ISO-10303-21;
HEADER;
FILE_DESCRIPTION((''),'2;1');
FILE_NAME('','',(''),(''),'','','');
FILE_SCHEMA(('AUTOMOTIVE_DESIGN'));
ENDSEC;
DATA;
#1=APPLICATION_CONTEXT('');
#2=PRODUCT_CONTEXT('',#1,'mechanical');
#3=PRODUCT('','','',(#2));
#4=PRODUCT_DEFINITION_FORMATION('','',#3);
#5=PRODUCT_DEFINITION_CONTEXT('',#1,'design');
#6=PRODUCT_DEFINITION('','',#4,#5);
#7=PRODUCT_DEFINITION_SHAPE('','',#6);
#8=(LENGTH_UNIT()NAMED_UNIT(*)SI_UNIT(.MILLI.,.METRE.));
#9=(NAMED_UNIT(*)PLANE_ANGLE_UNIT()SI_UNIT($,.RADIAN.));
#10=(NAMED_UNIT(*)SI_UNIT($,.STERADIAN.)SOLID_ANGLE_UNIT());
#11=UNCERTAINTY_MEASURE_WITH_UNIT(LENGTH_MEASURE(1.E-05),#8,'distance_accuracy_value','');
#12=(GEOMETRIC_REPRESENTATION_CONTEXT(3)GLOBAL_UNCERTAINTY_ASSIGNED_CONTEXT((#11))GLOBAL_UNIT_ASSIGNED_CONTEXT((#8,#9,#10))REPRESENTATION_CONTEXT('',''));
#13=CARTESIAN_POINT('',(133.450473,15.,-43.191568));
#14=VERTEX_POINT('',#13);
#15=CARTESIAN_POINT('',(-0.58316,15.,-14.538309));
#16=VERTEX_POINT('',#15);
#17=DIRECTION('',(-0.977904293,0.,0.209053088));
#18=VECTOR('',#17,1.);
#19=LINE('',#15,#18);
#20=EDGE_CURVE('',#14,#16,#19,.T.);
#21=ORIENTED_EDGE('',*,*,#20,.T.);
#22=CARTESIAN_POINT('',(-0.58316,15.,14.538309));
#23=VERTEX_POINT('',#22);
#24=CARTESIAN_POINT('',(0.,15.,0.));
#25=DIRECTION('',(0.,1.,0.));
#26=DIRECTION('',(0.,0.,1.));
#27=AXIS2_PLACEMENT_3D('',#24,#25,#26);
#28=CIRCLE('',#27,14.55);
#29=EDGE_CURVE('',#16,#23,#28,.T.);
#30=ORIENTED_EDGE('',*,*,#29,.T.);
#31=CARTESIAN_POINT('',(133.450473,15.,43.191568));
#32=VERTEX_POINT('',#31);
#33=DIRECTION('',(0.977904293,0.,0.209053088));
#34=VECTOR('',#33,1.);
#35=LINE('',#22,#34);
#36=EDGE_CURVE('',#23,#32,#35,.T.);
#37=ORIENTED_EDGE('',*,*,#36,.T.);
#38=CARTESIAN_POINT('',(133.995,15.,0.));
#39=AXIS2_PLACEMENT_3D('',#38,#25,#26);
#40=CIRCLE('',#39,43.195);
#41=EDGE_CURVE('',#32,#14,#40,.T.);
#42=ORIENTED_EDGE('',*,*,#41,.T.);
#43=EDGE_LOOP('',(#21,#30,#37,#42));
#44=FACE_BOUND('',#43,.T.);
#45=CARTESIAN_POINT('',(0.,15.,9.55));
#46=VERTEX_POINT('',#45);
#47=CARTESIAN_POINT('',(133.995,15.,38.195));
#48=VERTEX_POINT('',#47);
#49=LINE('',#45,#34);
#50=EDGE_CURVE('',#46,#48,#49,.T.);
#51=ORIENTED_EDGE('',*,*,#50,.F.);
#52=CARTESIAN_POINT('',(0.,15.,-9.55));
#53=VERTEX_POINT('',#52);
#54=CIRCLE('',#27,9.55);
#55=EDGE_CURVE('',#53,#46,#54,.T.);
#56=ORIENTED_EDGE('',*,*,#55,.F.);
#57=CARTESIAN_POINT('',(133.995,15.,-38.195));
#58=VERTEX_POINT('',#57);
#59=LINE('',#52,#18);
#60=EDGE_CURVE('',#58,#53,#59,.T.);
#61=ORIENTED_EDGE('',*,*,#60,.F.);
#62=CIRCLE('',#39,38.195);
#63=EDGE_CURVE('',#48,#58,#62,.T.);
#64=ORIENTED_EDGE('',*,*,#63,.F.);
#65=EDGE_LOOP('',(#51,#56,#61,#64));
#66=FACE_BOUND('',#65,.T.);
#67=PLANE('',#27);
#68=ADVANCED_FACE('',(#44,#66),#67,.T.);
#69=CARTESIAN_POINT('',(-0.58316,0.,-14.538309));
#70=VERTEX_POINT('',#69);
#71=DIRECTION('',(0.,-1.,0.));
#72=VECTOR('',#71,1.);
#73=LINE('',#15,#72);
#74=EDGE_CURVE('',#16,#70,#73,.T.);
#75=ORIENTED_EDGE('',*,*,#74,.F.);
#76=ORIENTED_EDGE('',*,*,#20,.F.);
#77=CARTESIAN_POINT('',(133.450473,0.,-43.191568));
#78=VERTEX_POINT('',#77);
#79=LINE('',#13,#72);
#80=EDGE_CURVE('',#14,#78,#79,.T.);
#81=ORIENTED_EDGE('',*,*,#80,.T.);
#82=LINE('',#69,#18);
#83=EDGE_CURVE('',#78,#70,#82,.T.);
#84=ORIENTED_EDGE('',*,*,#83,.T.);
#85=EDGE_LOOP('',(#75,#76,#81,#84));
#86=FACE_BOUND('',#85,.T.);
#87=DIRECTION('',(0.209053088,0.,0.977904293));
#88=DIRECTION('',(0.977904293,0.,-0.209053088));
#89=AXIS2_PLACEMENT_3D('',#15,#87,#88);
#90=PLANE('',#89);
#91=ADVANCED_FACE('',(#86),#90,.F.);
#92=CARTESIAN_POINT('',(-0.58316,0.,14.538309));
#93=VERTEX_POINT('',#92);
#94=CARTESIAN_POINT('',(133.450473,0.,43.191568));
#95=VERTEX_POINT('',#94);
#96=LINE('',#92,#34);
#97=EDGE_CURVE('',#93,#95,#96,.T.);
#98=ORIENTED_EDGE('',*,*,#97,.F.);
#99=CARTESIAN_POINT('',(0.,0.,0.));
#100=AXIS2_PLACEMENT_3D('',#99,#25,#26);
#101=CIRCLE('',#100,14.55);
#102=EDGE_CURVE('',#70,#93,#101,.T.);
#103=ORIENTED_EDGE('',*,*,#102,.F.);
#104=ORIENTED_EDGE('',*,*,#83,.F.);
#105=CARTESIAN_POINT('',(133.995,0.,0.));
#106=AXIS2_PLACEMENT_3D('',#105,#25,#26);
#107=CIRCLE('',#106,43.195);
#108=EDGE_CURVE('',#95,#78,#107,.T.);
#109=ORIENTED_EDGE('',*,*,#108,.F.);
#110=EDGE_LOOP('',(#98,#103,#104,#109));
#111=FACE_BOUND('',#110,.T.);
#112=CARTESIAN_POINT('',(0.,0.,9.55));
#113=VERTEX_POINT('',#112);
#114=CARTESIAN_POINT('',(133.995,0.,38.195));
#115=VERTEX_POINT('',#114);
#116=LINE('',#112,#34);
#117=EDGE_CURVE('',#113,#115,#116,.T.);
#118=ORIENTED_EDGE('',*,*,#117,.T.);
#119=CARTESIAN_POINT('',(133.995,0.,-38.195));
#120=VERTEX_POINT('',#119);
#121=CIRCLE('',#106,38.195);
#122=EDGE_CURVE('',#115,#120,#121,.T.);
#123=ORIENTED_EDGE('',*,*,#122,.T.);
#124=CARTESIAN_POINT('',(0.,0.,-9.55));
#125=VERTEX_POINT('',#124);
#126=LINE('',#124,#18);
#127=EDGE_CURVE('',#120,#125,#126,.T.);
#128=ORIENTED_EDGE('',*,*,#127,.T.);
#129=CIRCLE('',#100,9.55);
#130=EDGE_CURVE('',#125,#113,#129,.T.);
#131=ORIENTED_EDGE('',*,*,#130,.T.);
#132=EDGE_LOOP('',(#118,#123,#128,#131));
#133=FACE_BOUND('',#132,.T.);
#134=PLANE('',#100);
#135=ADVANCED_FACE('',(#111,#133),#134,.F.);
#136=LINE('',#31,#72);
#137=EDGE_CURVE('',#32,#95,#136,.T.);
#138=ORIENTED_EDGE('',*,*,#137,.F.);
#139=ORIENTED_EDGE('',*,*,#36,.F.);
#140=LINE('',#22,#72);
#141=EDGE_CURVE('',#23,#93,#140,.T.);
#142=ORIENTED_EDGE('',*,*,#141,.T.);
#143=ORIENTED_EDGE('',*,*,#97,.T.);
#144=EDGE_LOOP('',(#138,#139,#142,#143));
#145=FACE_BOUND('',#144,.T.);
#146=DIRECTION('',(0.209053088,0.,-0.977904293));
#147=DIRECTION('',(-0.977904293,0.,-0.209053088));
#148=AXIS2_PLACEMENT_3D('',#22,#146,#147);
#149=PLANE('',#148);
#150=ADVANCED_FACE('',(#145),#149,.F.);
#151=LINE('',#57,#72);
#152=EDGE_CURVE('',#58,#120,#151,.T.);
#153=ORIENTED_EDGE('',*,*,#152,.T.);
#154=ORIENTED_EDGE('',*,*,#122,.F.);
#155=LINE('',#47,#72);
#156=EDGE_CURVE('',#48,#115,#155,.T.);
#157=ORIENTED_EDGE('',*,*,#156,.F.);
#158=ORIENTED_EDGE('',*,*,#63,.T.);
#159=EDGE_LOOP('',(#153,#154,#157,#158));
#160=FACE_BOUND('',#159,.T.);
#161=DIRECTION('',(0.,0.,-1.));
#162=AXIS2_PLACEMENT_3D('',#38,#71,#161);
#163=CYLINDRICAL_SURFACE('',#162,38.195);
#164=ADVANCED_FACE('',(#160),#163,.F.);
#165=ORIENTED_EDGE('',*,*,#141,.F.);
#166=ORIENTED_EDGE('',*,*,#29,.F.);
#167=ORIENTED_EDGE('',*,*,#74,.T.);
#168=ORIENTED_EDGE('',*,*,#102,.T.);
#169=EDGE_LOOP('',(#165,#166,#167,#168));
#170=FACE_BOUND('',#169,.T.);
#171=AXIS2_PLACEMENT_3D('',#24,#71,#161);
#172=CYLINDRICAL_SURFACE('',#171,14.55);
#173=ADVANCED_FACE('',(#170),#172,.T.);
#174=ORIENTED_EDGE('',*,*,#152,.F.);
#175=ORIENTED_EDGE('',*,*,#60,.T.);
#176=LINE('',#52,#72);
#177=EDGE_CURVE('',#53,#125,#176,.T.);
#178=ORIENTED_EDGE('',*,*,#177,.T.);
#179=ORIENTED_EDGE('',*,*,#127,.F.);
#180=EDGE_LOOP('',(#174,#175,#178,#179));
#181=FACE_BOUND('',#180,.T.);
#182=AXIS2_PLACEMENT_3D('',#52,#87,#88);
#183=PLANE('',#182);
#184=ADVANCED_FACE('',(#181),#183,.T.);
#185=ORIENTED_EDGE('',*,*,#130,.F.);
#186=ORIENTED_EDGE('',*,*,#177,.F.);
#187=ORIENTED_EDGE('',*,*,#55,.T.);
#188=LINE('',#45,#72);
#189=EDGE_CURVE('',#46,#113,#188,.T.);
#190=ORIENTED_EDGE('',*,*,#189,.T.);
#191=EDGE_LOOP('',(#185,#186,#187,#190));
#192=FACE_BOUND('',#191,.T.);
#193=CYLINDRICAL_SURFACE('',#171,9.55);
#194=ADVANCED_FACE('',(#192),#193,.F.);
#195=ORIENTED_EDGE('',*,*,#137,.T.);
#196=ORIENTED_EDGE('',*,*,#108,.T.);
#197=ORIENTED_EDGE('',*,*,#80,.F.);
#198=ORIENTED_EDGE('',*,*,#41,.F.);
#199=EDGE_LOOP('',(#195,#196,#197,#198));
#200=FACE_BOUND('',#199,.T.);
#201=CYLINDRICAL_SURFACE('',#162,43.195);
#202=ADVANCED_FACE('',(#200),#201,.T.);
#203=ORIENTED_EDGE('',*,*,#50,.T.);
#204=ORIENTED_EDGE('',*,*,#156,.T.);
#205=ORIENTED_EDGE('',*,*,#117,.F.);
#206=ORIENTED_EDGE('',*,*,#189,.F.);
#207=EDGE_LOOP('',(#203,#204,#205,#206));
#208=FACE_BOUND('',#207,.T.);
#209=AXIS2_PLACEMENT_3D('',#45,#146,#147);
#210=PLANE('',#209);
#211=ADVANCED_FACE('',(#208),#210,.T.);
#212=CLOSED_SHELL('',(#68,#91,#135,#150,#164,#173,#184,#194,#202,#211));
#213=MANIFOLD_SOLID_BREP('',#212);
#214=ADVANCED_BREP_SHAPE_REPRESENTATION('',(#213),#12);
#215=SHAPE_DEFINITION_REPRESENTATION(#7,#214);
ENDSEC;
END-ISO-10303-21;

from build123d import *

# Parameters (mm, degrees)
BOSS_EXTRUDE1_DEPTH = 15


with BuildPart() as part:
    # Sketch1 → Boss-Extrude1 (new body)
    with BuildSketch(Plane(origin=(0, 0, 0), x_dir=(1, 0, 0), z_dir=(0, 1, 0))):
        with BuildLine():
            Line((-0.583159734, -14.538308867), (133.450472992, -43.191567642))
            ThreePointArc((133.450472992, -43.191567642), (177.19, 0), (133.450472992, 43.191567642))
            Line((133.450472992, 43.191567642), (-0.583159734, 14.538308867))
            ThreePointArc((-0.583159734, 14.538308867), (-14.55, 0), (-0.583159734, -14.538308867))
        make_face()
        with BuildLine():
            Line((0, 9.55), (133.995, 38.195))
            ThreePointArc((133.995, 38.195), (172.19, 0), (133.995, -38.195))
            Line((133.995, -38.195), (0, -9.55))
            ThreePointArc((0, -9.55), (-9.55, 0), (0, 9.55))
        make_face(mode=Mode.SUBTRACT)
    extrude(amount=BOSS_EXTRUDE1_DEPTH)


solid = part.part
